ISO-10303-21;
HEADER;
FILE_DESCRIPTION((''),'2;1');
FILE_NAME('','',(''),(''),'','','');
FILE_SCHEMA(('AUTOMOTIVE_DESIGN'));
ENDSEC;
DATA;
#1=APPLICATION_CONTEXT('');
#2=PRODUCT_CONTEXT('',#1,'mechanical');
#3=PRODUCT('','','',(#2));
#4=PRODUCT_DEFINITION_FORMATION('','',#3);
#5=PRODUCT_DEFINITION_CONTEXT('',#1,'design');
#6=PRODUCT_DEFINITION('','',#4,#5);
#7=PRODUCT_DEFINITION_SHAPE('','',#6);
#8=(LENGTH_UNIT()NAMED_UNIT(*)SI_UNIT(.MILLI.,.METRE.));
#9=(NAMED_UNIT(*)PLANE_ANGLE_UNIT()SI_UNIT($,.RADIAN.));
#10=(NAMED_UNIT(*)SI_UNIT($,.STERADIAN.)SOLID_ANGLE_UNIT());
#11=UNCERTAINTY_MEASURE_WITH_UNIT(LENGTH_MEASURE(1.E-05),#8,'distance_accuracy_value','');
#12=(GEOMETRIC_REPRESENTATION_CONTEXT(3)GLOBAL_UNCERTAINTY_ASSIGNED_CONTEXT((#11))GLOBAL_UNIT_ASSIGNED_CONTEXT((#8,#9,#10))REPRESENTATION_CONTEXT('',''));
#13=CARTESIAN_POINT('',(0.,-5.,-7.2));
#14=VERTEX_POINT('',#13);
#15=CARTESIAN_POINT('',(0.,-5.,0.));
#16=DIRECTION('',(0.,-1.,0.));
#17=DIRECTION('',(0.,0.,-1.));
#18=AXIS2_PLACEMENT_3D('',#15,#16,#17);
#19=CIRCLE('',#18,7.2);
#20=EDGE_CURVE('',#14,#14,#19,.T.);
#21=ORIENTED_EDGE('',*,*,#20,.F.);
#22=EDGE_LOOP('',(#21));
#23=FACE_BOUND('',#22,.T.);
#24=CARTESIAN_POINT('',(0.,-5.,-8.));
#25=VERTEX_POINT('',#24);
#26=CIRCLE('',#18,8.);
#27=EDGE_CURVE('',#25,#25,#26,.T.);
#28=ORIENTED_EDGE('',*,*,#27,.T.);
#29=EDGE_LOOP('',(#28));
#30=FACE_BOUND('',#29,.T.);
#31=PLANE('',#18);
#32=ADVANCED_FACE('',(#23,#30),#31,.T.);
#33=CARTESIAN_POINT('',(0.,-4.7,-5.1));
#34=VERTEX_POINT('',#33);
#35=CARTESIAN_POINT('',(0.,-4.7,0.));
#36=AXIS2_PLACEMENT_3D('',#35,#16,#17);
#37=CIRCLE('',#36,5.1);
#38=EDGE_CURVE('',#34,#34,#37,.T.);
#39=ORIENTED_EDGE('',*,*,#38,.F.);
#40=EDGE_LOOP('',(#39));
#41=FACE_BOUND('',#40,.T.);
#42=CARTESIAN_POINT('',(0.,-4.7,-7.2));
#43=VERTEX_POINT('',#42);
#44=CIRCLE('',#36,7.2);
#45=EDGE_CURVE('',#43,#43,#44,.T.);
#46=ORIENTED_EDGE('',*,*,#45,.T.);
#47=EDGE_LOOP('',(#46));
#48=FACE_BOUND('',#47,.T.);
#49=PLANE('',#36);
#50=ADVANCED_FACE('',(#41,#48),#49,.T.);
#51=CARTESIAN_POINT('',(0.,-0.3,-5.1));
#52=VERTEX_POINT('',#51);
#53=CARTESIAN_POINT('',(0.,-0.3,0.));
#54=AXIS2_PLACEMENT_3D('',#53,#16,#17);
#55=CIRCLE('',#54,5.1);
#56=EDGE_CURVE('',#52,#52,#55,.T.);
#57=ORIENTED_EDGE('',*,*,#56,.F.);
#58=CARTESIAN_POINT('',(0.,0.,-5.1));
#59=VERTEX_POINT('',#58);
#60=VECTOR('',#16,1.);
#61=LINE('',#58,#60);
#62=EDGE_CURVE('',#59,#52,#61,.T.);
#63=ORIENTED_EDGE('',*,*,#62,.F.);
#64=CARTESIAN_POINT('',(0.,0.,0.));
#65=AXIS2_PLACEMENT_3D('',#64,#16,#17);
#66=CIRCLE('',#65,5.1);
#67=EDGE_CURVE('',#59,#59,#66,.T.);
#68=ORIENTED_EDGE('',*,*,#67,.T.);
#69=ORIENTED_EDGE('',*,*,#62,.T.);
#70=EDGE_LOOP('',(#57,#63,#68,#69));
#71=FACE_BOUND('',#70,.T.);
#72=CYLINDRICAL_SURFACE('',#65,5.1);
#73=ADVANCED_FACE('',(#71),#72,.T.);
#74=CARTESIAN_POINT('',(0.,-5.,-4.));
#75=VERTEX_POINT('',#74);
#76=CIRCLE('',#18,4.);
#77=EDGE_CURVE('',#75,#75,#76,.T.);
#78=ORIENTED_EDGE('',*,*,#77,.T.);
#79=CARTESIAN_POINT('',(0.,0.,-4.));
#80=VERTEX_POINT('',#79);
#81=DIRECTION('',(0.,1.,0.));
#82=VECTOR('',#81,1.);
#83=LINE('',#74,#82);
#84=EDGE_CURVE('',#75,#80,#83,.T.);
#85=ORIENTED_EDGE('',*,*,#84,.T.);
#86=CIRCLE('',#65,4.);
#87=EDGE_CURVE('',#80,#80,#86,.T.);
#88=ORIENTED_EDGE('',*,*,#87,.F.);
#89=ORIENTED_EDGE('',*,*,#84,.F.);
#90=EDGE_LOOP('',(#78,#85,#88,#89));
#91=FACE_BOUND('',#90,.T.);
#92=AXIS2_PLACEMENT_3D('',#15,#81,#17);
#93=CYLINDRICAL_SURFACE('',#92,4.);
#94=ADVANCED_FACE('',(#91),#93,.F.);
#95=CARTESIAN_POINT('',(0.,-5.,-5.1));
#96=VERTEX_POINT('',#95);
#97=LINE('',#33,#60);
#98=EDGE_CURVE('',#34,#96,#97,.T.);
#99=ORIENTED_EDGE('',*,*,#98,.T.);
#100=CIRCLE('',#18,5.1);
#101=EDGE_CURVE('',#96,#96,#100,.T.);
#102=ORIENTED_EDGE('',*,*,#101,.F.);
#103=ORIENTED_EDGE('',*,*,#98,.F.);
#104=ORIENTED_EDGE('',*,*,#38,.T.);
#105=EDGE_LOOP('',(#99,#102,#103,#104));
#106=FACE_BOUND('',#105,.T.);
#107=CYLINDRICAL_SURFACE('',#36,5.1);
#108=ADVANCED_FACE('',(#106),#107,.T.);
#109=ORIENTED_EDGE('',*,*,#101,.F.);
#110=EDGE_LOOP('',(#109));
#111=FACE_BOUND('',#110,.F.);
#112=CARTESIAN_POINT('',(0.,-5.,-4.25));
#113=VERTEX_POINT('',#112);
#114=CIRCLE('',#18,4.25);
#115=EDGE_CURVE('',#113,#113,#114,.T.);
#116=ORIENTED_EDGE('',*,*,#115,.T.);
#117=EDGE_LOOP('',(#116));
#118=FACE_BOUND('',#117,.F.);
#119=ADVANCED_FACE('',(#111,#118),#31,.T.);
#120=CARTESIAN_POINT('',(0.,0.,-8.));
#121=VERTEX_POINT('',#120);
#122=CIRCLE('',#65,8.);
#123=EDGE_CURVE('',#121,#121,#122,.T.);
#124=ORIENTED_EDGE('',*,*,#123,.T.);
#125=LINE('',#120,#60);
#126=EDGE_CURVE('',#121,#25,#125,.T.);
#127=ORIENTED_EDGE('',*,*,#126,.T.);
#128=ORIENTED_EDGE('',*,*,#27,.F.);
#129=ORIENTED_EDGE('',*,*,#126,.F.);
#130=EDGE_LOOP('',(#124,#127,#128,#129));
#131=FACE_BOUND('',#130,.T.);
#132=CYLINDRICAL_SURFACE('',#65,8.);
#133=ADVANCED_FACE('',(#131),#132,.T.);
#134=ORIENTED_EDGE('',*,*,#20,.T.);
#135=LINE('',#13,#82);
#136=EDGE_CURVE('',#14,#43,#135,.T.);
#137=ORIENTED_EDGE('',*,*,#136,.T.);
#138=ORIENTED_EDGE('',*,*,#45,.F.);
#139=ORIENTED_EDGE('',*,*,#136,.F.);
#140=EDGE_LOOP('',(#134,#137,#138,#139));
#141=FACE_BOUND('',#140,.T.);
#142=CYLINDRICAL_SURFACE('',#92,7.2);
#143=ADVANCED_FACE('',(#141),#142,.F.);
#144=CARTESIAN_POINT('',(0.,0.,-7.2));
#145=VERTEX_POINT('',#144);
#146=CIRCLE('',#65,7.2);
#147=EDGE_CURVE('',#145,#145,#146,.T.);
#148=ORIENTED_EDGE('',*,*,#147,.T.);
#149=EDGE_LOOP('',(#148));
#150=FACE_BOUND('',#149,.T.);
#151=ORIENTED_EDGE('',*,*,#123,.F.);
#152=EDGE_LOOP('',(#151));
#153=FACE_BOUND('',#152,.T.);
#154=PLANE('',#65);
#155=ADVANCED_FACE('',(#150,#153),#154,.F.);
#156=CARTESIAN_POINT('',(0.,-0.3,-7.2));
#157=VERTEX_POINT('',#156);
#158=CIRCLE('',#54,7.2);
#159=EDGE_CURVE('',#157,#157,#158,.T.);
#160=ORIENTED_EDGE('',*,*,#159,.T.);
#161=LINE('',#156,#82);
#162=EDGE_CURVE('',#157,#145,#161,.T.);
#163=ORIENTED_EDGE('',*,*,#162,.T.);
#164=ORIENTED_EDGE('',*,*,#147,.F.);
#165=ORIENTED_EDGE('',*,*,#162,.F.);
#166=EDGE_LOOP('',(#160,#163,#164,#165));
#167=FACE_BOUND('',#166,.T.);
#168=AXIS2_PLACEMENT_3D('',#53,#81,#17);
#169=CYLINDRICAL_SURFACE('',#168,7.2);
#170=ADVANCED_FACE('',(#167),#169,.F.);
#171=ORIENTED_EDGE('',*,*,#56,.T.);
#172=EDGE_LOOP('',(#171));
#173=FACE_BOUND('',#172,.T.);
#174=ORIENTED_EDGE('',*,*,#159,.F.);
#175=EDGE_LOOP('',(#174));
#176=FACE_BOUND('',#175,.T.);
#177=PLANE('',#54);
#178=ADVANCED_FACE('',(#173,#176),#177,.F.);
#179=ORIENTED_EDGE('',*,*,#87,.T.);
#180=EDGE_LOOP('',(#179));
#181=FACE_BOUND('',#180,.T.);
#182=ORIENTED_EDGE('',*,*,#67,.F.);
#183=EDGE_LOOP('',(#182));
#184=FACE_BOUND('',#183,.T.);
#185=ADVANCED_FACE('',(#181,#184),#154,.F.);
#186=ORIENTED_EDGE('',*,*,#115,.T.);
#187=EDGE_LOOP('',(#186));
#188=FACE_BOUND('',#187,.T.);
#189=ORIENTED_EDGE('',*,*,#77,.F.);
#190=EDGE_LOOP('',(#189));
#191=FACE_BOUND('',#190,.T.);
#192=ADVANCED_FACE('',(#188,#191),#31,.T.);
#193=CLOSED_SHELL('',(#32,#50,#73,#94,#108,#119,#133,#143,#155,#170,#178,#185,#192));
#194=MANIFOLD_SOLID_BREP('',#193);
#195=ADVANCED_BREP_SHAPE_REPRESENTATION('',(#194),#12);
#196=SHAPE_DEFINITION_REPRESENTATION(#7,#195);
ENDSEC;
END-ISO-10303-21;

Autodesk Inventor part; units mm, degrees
ref_plane "YZ Plane" through (0, 0, 0) normal (1, 0, 0) x (0, 1, 0)
ref_plane "XZ Plane" through (0, 0, 0) normal (0, 1, 0) x (-1, 0, 0)
ref_plane "XY Plane" through (0, 0, 0) normal (0, 0, 1) x (1, 0, 0)
sketch "Sketch1" plane through (0, 0, 0) normal (1, 0, 0) x (0, 1, 0)
  line L0 (-5, -4.25) -> (-5, -5.9)
  line L1 (0, -4) -> (0, -5.1)
  line L2 (0, -5.1) -> (-0.3, -5.1)
  line L3 (-0.3, -5.1) -> (-0.3, -7.2)
  line L4 (-0.3, -7.2) -> (0, -7.2)
  line L5 (0, -7.2) -> (0, -8)
  line L6 (0, -8) -> (-5, -8)
  line L7 (-5, -8) -> (-5, -7.2)
  line L8 (-5, -7.2) -> (-4.7, -7.2)
  line L9 (-4.7, -7.2) -> (-4.7, -5.1)
  line L10 (-4.7, -5.1) -> (-5, -5.1)
  line L11 (-5, -5.1) -> (-5, -4)
  line L12 (-5, -4) -> (0, -4)
  line L13 (0, 0) -> (-5.2831, 0)
revolve "Revolution1" add sketch "Sketch1" angle 360 about axis through (0, 0, 0) along (0, -1, 0)
properties part number "Ball Bearing 8 x 16 x 5" material "Stainless Steel"
